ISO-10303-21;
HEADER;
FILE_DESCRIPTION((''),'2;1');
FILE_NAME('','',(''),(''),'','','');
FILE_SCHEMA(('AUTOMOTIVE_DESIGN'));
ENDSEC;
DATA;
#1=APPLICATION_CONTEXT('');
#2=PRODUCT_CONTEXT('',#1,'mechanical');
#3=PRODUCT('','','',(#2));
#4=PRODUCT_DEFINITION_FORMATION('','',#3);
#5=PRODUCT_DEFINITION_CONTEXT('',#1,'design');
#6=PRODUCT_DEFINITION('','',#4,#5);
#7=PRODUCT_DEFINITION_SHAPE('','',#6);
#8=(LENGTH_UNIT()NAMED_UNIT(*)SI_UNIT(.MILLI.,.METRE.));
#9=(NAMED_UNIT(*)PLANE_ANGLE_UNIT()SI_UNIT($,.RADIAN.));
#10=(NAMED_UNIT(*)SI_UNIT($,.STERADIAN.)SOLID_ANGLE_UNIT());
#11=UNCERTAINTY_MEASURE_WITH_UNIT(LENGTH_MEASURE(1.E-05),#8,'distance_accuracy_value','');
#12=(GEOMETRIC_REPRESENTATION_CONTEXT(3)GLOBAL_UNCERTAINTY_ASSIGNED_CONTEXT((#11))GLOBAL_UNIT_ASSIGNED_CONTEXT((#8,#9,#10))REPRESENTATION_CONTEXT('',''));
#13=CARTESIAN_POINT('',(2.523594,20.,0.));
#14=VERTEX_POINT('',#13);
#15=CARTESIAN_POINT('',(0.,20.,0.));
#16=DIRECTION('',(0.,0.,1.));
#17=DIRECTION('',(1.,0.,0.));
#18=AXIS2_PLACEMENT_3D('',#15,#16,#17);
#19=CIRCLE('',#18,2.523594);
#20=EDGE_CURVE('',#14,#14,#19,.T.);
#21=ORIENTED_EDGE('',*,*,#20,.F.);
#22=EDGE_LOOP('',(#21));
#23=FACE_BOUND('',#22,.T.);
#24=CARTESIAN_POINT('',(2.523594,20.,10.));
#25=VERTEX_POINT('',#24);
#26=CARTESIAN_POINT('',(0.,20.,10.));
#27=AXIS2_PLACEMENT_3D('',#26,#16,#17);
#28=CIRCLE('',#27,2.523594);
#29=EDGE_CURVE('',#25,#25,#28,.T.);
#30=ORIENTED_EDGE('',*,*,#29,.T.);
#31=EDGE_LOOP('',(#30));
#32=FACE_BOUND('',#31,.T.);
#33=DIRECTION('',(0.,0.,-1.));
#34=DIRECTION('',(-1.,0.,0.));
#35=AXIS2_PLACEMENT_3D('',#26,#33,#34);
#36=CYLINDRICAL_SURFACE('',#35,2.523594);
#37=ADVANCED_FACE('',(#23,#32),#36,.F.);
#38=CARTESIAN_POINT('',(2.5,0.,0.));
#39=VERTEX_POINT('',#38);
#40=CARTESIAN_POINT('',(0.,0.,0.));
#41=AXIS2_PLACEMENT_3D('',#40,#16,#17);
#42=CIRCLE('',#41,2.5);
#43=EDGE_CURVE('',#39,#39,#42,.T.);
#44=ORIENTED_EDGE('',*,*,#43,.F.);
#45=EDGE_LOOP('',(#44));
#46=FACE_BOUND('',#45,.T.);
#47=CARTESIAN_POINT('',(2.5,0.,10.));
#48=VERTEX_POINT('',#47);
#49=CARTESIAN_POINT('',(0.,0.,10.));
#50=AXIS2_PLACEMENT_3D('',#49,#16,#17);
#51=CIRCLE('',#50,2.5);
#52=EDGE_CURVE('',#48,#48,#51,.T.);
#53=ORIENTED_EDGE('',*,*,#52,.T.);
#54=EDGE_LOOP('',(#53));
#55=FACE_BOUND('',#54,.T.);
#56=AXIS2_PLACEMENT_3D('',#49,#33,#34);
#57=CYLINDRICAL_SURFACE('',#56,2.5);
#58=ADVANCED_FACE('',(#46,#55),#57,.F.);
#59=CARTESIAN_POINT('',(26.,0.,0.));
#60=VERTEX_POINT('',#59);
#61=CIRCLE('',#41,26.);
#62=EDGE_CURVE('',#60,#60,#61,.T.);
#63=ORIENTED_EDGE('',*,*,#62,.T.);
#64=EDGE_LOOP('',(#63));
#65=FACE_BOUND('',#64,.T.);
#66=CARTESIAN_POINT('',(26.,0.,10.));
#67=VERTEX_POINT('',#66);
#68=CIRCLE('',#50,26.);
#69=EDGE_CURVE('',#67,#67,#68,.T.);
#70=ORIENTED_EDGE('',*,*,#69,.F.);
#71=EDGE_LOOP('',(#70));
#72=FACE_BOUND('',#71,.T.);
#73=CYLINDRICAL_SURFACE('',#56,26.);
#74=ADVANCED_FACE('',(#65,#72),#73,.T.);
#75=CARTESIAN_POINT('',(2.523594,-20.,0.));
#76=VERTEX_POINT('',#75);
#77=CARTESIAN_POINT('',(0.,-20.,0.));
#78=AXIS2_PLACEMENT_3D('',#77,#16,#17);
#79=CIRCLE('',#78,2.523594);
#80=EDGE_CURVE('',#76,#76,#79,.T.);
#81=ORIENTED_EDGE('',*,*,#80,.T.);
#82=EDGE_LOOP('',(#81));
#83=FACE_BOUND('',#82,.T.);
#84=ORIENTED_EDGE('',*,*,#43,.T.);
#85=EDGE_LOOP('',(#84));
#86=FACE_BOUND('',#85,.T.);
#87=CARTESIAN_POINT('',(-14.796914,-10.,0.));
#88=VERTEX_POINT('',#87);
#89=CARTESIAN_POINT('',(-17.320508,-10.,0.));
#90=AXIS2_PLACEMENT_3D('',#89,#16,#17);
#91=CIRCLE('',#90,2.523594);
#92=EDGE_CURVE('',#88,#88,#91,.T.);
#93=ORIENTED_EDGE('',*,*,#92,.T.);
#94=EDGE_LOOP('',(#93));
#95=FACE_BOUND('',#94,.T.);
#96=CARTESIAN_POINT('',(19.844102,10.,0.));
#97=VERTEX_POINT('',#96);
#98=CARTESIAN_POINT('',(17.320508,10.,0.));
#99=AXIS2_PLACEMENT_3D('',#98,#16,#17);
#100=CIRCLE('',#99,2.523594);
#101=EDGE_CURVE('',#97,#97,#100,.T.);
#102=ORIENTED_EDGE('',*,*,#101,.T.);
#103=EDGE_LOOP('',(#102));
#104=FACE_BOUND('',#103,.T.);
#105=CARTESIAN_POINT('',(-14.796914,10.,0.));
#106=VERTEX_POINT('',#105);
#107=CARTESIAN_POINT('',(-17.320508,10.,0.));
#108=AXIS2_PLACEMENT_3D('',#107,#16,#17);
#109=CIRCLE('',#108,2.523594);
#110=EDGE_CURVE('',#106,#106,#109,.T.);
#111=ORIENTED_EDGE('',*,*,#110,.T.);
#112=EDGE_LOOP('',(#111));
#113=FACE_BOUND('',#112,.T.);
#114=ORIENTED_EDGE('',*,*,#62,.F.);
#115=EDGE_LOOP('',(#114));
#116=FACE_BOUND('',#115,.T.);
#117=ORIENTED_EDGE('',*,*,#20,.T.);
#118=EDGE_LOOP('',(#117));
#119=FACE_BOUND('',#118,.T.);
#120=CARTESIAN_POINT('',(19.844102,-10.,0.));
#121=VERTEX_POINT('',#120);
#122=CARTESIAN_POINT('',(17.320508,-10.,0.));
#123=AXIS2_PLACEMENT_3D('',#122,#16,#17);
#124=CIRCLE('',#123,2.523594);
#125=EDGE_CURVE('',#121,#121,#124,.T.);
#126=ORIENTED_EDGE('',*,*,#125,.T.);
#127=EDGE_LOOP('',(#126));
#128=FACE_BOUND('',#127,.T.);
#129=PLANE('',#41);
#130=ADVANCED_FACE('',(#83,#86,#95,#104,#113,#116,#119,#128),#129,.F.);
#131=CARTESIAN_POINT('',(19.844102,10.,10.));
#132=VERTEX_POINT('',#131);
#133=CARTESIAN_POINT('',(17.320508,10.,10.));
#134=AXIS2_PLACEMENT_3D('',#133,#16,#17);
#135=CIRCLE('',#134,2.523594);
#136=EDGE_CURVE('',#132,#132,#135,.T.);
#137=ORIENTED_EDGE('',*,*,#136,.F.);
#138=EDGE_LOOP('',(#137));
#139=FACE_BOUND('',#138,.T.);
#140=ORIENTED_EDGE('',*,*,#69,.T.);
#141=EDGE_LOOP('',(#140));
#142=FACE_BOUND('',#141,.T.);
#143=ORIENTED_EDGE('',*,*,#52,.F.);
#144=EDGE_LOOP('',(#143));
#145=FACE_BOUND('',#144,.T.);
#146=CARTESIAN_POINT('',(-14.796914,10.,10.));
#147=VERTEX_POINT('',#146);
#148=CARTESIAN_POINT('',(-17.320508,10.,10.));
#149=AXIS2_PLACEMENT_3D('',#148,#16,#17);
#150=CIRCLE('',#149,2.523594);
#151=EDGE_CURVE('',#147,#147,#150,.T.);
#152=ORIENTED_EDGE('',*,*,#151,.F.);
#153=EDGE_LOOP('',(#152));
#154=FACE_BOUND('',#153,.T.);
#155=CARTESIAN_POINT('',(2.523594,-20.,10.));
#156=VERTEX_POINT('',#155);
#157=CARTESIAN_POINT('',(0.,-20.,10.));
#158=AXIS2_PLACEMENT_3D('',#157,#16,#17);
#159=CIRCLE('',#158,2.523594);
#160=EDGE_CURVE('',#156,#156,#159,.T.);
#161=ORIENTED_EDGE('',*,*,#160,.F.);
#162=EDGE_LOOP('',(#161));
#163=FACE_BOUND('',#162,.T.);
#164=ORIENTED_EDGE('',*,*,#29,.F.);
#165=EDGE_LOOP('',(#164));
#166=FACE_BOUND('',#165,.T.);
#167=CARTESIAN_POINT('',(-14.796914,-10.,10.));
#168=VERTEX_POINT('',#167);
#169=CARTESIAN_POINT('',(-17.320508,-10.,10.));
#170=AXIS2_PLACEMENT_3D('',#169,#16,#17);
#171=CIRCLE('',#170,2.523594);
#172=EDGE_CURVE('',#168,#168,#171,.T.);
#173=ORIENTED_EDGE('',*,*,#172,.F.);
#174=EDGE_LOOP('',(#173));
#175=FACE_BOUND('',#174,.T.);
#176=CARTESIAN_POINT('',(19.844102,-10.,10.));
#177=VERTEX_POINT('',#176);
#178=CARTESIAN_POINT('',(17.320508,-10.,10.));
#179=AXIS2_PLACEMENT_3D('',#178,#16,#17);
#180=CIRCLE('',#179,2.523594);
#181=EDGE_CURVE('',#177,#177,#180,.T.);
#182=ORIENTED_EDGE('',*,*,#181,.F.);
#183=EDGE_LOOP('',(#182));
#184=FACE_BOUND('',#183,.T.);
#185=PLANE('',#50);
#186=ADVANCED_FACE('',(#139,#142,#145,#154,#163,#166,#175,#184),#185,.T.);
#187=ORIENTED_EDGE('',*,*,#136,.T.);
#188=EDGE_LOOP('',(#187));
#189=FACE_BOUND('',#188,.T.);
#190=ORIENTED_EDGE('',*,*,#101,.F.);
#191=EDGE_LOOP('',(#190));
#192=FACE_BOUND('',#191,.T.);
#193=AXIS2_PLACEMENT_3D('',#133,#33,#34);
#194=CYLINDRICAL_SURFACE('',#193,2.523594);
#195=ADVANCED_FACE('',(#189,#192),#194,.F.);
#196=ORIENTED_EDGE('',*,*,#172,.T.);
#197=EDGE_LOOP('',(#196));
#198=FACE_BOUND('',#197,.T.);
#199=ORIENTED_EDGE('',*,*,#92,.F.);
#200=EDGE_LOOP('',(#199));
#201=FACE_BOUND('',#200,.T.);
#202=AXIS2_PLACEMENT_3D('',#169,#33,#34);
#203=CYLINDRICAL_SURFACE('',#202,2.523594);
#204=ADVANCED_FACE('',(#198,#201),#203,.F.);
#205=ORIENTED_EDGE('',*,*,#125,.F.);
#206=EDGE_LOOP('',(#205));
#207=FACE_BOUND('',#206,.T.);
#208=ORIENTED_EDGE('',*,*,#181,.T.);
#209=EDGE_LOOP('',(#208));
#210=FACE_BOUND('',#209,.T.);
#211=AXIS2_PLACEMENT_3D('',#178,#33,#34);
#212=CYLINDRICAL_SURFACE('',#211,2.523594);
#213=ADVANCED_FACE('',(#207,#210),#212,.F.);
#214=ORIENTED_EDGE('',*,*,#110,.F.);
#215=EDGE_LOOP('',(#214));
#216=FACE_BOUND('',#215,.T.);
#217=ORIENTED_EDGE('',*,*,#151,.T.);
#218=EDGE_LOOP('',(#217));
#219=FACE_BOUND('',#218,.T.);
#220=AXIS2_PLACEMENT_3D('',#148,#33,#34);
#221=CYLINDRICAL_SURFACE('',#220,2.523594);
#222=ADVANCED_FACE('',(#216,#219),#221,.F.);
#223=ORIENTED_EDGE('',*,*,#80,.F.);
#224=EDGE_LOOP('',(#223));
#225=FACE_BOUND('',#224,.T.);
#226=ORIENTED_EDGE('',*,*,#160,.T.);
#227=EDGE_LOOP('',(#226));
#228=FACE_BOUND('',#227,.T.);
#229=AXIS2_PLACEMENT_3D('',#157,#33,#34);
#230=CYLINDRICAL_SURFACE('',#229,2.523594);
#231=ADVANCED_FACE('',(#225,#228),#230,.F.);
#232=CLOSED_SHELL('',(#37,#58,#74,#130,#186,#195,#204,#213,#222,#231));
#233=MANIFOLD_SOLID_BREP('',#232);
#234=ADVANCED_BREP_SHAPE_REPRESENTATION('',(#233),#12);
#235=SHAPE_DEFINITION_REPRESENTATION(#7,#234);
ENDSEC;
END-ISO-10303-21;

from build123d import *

# Parameters (mm, degrees)
SKETCH3_R           = 26
SKETCH3_R_2         = 2.5
SKETCH3_R_3         = 2.523593649
BOSS_EXTRUDE2_DEPTH = 10


with BuildPart() as part:
    # Sketch3 → Boss-Extrude2 (new body)
    with BuildSketch(Plane.XY):
        Circle(SKETCH3_R)
        Circle(SKETCH3_R_2, mode=Mode.SUBTRACT)
        with Locations((0, 20)):
            Circle(SKETCH3_R_3, mode=Mode.SUBTRACT)
        with Locations((17.320508076, 10)):
            Circle(SKETCH3_R_3, mode=Mode.SUBTRACT)
        with Locations((17.320508076, -10)):
            Circle(SKETCH3_R_3, mode=Mode.SUBTRACT)
        with Locations((0, -20)):
            Circle(SKETCH3_R_3, mode=Mode.SUBTRACT)
        with Locations((-17.320508076, -10)):
            Circle(SKETCH3_R_3, mode=Mode.SUBTRACT)
        with Locations((-17.320508076, 10)):
            Circle(SKETCH3_R_3, mode=Mode.SUBTRACT)
    extrude(amount=BOSS_EXTRUDE2_DEPTH)


solid = part.part
